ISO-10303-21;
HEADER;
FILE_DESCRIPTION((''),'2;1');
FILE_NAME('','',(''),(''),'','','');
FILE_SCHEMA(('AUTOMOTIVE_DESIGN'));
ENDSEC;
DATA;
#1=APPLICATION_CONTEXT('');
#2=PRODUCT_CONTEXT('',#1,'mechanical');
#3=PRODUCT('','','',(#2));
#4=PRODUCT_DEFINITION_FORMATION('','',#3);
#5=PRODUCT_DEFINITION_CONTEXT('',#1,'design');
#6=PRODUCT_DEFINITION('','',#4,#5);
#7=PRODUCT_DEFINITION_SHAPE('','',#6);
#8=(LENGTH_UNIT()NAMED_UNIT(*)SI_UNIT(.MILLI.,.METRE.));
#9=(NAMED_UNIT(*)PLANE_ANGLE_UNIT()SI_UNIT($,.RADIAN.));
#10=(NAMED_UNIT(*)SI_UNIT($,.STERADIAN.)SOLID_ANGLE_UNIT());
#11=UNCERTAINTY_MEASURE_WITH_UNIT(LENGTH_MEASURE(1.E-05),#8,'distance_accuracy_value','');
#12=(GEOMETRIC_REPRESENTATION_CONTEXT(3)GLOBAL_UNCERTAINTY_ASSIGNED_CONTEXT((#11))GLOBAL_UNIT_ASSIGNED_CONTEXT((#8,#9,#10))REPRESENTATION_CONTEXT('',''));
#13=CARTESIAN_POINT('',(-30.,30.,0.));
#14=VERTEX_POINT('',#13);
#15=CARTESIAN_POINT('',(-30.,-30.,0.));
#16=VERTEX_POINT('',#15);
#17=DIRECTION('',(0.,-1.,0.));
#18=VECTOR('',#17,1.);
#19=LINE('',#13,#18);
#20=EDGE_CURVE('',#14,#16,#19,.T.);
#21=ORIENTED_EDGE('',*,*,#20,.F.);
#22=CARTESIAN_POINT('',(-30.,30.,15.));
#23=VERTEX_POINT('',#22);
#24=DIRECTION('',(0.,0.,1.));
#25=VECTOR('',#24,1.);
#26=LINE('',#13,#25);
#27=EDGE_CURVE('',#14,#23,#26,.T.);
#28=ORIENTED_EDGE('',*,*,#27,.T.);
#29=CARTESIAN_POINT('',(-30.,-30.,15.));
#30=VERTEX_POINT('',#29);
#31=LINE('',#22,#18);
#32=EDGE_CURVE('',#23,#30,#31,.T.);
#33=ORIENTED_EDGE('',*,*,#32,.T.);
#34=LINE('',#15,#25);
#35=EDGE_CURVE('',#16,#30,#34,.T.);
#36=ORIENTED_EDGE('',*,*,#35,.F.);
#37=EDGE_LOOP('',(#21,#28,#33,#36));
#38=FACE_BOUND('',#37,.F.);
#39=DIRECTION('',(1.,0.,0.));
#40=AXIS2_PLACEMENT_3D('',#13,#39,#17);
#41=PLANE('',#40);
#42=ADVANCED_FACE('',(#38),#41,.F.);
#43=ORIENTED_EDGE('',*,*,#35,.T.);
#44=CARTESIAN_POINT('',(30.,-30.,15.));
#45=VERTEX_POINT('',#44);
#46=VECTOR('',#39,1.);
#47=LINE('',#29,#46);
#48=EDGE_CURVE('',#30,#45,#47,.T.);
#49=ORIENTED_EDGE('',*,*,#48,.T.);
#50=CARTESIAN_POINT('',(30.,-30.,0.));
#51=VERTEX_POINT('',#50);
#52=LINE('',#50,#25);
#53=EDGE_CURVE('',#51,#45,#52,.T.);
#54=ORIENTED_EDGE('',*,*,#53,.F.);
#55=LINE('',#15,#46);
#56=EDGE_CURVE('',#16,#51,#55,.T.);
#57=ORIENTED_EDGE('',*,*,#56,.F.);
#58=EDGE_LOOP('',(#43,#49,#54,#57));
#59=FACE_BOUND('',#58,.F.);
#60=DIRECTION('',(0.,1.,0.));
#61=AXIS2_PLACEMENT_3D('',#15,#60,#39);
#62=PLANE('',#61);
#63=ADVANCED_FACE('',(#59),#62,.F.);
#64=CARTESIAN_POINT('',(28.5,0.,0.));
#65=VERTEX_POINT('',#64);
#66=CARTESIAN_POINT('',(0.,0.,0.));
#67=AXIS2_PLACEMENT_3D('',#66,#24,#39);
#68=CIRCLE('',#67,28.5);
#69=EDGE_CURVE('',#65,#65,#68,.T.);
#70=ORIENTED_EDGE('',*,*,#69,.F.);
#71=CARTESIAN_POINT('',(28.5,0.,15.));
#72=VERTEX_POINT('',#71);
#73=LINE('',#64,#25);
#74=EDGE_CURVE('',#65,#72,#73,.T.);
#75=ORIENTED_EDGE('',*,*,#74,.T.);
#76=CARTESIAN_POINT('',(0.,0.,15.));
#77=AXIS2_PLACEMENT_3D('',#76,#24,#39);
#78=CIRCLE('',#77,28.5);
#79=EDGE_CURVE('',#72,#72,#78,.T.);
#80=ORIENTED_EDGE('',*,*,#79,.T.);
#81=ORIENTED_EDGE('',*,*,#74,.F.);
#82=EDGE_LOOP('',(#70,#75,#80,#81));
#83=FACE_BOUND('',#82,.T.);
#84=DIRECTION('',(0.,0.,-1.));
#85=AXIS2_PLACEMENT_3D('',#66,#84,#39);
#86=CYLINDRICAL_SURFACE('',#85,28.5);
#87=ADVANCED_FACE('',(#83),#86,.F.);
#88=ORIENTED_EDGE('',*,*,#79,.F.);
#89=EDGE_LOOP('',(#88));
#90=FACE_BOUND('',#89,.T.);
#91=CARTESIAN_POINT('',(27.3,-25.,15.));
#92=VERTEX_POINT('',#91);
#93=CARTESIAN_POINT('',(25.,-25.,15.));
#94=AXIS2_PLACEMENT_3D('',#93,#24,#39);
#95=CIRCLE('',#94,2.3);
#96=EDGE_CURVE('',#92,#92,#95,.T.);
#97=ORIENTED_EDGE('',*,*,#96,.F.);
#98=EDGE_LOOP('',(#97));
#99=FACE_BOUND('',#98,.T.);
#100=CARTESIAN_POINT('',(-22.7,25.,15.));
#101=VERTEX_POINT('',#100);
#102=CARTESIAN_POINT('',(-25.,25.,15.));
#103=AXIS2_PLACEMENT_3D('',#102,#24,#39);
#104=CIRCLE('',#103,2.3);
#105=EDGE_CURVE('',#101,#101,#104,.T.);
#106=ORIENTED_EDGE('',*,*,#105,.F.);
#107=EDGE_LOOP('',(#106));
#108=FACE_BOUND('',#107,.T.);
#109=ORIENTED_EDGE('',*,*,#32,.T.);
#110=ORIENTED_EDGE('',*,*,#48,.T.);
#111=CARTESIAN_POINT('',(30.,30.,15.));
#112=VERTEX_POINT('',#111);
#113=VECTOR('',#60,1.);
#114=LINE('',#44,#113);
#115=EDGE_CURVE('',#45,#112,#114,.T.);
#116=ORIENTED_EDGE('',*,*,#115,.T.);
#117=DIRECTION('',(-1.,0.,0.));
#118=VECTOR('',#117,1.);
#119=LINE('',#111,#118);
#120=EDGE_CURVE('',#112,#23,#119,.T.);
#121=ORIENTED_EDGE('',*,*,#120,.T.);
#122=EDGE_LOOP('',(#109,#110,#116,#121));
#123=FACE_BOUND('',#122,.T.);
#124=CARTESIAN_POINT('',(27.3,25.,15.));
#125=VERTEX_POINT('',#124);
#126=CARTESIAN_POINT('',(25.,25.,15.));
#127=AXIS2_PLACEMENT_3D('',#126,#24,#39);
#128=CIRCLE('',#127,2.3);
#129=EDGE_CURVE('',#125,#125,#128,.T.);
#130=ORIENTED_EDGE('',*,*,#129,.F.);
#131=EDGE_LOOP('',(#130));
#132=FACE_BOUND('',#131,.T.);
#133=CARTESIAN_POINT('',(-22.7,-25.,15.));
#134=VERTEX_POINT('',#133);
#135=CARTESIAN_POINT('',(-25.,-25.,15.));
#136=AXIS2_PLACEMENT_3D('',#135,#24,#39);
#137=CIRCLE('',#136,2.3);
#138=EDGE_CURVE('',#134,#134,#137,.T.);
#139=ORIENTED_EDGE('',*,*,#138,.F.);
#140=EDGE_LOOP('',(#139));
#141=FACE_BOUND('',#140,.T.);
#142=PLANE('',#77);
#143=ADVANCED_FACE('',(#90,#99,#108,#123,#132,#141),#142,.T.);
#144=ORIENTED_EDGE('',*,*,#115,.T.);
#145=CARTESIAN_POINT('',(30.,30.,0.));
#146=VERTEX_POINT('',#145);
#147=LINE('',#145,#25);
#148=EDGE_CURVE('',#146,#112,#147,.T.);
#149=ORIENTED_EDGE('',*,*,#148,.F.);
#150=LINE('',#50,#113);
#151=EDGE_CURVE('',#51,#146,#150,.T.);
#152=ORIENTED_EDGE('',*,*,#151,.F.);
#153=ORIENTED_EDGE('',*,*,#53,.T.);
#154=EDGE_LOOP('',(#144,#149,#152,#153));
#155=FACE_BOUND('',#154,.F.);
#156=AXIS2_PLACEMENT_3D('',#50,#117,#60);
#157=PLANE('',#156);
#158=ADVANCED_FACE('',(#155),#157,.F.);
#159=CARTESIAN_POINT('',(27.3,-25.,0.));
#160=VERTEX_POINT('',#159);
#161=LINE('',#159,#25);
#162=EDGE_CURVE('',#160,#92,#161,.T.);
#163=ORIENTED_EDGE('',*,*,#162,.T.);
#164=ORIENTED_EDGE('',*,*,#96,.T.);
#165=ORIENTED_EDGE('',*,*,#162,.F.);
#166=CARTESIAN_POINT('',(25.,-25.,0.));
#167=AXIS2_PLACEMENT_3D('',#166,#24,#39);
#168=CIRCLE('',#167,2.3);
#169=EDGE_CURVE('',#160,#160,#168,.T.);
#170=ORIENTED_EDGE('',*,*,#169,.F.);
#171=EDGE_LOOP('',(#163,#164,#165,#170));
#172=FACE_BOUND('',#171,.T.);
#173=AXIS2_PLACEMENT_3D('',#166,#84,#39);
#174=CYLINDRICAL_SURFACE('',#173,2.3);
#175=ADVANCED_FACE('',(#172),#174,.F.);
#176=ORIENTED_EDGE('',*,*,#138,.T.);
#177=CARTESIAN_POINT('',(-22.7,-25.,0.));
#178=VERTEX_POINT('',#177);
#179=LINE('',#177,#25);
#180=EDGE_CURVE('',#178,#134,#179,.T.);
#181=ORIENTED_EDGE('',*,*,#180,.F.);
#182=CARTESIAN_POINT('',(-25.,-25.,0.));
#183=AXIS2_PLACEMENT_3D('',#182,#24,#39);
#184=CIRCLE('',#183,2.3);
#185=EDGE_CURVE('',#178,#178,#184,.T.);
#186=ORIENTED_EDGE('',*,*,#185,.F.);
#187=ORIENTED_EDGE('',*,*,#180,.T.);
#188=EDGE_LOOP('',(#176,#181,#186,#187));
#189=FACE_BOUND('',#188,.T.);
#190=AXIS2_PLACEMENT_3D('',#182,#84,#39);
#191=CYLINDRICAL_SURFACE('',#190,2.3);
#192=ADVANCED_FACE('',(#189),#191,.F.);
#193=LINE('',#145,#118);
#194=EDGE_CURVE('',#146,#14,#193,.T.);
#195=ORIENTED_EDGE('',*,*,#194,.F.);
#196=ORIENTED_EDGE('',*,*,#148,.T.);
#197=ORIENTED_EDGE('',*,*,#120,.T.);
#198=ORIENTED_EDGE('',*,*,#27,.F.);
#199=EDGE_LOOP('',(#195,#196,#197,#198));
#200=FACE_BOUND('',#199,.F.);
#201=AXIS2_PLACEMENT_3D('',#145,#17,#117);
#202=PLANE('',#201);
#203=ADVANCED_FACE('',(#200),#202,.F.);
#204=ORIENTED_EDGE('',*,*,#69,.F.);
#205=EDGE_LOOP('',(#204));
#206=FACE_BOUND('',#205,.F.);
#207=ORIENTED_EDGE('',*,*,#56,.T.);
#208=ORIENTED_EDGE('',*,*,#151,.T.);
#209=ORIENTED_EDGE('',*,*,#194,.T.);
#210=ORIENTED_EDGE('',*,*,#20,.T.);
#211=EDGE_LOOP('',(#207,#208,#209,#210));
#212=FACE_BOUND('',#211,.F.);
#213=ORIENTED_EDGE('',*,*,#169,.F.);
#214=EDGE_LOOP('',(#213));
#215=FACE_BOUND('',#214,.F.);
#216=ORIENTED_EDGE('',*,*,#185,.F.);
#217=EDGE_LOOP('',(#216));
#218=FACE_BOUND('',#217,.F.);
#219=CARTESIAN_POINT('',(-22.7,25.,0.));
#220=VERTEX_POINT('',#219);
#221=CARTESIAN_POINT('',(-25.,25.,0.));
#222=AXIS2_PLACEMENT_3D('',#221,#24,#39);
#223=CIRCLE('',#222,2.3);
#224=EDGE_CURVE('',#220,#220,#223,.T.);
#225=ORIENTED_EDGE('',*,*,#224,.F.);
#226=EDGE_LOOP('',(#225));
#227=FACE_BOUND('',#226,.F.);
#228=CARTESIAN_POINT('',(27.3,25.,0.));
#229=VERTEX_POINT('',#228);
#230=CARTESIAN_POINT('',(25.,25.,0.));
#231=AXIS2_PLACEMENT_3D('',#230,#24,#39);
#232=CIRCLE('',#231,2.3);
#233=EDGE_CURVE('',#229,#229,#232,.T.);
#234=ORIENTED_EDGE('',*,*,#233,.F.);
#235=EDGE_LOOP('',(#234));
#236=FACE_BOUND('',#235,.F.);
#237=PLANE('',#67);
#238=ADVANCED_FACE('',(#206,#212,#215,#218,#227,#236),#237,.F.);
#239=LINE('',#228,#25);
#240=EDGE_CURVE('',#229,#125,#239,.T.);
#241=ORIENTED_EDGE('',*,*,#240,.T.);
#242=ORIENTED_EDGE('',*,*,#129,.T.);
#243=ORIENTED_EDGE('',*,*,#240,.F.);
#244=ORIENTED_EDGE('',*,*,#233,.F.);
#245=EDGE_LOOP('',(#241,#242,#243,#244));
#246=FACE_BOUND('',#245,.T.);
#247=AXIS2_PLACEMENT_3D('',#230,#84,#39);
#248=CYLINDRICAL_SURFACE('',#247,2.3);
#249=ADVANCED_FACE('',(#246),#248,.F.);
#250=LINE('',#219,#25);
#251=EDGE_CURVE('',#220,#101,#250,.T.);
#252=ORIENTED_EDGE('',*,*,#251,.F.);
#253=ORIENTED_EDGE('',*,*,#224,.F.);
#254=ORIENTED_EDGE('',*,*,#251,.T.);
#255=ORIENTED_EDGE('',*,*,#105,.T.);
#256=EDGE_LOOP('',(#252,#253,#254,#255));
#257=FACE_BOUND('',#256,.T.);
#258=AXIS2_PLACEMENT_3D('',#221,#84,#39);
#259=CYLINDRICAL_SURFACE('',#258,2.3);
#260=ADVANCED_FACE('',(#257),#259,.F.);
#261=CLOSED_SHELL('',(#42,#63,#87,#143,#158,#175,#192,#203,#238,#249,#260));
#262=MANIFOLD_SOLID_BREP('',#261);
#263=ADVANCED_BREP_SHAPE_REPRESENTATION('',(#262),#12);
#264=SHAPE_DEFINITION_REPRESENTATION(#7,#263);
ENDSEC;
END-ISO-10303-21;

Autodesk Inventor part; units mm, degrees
ref_plane "YZ Plane" through (0, 0, 0) normal (1, 0, 0) x (0, 1, 0)
ref_plane "XZ Plane" through (0, 0, 0) normal (0, 1, 0) x (-1, 0, 0)
ref_plane "XY Plane" through (0, 0, 0) normal (0, 0, 1) x (1, 0, 0)
sketch "Sketch1" plane through (0, 0, 0) normal (0, 0, 1) x (1, 0, 0)
  line L0 (-30, -30) -> (30, -30)
  line L1 (30, -30) -> (30, 30)
  line L2 (30, 30) -> (-30, 30)
  line L3 (-30, 30) -> (-30, -30)
  line L4 (-30, -30) -> (30, 30) construction
  line L5 (30, -30) -> (-30, 30) construction
  line L6 (-25, 25) -> (25, 25) construction
  line L7 (25, 25) -> (25, -25) construction
  line L8 (25, -25) -> (-25, -25) construction
  line L9 (-25, -25) -> (-25, 25) construction
  circle A0 centre (-25, 25) radius 2.3
  circle A1 centre (25, 25) radius 2.3
  circle A2 centre (25, -25) radius 2.3
  circle A3 centre (-25, -25) radius 2.3
  circle A4 centre (0, 0) radius 28.5
  dimension "d0" = 50
  dimension "d1" = 60
  dimension "d2" = 4.6
  dimension "d3" = 57
extrude "Extrusion1" add sketch "Sketch1" along normal blind 15
properties part number "Fan" material "Silicon Nitride"
